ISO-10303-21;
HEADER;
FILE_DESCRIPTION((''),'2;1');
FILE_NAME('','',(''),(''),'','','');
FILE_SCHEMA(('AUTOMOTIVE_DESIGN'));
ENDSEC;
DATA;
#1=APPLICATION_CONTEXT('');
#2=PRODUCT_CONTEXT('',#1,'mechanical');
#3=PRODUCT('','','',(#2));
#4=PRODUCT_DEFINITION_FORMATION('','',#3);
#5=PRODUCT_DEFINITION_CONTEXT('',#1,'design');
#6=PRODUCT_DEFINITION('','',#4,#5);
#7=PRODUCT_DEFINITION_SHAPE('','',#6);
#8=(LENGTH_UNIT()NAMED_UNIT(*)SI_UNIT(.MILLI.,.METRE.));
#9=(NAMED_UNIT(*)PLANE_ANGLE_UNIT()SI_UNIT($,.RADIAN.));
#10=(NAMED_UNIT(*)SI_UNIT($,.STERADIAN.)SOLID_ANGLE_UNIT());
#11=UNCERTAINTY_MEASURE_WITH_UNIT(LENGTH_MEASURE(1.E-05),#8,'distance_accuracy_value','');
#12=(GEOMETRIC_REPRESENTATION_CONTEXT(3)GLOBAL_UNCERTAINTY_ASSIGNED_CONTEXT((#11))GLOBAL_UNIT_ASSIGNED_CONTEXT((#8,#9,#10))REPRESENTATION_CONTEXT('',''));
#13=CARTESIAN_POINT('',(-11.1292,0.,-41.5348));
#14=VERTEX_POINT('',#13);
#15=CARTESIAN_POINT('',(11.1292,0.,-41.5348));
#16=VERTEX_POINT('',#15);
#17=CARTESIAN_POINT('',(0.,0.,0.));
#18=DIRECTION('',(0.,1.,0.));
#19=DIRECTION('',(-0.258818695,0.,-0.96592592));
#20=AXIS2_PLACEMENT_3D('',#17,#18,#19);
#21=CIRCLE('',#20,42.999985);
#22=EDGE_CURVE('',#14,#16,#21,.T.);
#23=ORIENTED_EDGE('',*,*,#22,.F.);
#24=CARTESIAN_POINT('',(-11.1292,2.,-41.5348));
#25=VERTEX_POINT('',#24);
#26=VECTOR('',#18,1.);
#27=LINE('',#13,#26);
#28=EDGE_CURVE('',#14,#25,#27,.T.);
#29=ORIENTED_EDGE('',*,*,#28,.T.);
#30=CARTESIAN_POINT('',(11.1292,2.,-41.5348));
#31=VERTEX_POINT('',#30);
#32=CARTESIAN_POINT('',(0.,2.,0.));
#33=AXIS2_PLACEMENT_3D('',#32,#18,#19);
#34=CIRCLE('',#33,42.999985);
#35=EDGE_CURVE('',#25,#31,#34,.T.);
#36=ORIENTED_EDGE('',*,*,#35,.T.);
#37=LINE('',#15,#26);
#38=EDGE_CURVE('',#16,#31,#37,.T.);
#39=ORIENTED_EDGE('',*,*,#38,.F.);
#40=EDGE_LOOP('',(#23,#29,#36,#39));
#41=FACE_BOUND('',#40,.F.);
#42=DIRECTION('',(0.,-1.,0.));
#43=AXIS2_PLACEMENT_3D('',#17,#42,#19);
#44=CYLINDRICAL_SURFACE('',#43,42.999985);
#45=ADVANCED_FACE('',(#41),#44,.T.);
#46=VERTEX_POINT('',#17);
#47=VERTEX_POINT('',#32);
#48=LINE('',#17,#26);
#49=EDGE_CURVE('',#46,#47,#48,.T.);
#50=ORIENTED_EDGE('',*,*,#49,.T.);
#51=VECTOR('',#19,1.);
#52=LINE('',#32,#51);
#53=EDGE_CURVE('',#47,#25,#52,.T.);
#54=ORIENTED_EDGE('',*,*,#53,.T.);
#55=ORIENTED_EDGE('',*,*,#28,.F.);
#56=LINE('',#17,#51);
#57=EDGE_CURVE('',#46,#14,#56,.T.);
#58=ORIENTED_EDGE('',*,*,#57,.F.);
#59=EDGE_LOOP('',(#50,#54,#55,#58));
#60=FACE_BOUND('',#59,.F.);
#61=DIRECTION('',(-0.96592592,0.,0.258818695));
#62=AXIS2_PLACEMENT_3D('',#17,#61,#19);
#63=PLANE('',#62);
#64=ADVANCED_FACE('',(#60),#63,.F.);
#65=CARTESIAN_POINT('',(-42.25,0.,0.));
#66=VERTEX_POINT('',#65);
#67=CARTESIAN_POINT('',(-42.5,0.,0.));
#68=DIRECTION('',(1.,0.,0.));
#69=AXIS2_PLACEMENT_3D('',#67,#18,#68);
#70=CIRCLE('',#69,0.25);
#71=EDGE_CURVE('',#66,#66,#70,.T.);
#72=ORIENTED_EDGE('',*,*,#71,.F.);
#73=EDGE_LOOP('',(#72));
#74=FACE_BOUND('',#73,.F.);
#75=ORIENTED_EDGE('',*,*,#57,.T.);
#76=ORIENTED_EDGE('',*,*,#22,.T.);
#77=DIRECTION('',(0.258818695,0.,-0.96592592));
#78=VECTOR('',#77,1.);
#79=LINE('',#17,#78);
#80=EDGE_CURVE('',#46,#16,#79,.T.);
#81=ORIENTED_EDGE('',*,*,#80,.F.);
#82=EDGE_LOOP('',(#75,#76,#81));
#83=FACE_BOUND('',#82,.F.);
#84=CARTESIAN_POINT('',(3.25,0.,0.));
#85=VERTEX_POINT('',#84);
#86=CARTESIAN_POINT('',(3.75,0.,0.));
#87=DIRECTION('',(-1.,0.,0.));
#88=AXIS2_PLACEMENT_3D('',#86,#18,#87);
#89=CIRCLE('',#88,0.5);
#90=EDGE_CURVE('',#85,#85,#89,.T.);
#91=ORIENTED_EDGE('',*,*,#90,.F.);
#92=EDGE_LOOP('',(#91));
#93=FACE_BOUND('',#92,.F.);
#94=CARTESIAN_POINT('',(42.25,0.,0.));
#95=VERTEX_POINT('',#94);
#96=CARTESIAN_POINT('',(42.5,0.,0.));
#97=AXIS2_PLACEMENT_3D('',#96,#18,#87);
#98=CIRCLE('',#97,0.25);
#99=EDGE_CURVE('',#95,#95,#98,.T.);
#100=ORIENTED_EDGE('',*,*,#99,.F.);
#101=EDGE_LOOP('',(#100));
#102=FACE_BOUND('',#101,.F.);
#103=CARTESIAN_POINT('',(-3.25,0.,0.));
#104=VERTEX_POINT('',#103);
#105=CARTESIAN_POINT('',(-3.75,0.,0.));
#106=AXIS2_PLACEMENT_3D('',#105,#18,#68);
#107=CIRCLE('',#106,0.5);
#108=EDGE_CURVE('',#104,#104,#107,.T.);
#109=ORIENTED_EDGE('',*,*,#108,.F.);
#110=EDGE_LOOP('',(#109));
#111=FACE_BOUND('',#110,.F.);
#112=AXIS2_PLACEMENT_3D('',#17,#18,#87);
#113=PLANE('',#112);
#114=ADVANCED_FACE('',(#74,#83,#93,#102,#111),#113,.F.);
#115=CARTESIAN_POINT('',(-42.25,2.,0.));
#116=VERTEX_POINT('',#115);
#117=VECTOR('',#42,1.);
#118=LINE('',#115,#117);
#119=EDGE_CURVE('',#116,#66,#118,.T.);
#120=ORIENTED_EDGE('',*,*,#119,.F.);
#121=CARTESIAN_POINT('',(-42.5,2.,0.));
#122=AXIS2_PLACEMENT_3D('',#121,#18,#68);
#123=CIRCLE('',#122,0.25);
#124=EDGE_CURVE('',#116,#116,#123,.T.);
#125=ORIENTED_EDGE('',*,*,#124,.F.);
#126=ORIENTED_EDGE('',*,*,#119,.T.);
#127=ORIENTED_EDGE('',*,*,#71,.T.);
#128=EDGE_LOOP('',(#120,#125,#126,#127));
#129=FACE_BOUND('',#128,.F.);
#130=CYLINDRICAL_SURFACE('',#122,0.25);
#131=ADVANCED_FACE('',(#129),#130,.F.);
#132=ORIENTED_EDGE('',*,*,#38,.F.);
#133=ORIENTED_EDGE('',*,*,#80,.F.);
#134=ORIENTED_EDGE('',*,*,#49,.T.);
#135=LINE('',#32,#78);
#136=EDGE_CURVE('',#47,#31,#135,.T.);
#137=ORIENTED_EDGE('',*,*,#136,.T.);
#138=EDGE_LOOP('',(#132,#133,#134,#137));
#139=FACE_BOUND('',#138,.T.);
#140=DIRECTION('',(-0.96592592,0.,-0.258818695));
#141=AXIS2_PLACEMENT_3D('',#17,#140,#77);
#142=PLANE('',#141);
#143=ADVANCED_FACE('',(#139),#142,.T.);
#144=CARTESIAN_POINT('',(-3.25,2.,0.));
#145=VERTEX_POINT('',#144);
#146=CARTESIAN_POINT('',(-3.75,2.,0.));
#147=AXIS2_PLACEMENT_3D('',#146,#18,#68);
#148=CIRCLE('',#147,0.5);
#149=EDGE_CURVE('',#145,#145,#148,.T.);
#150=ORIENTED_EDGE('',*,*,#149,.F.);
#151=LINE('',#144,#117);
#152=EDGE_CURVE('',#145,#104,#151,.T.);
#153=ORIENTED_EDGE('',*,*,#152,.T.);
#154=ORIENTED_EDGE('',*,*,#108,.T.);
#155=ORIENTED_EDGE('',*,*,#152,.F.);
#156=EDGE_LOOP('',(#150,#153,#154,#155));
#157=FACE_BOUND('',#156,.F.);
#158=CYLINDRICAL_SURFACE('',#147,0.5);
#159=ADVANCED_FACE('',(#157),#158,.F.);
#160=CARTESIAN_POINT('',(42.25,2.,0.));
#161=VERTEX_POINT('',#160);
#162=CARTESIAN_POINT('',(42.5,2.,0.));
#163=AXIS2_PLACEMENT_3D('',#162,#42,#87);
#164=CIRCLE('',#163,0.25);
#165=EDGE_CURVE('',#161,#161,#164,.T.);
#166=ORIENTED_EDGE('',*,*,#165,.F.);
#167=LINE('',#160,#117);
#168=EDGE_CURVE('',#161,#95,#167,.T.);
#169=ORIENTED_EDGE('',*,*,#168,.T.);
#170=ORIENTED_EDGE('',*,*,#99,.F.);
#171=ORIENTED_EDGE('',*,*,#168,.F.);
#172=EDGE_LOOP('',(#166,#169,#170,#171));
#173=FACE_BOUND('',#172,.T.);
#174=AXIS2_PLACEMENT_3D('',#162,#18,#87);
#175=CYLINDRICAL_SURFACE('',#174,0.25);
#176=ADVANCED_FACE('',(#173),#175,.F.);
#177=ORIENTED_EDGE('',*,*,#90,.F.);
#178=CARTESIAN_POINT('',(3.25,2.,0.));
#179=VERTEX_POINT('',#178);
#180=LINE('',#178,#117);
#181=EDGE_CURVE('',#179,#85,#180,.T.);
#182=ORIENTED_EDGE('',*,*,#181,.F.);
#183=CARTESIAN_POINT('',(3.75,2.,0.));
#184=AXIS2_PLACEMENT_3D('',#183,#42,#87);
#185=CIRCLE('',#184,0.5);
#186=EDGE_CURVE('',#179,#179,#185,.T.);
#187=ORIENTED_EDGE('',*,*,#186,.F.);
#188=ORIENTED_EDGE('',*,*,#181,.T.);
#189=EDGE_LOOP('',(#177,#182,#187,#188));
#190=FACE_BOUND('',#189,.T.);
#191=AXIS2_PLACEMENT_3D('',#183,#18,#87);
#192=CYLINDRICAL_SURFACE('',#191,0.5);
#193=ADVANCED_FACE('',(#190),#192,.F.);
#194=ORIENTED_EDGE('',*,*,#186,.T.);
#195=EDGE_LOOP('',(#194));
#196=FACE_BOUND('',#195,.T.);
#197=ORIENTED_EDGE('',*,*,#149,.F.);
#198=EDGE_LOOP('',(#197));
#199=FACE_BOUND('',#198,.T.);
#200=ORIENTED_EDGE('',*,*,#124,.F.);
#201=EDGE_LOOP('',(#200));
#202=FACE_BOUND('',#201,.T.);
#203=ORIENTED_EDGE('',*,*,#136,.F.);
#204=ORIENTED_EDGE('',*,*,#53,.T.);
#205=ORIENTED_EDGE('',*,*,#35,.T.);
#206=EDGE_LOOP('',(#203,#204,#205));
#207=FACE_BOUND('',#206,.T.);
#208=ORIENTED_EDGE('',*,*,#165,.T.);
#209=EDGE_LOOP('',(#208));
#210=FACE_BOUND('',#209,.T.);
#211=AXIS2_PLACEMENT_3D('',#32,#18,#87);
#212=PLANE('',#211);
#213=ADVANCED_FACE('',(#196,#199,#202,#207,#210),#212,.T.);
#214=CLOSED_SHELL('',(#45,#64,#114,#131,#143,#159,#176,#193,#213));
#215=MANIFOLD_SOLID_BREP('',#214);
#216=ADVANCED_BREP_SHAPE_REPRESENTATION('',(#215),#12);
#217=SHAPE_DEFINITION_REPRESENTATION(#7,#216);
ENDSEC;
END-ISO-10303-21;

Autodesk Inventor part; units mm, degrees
ref_plane "YZ Plane" through (0, 0, 0) normal (1, 0, 0) x (0, 1, 0)
ref_plane "XY Plane" through (0, 0, 0) normal (0, 0, 1) x (1, 0, 0)
sketch "Sketch1" plane through (0, 0, 0) normal (0, 1, 0) x (-1, 0, 0)
  arc A0 (11.1292, -41.5348) -> (-11.1292, -41.5348) centre (0, 0) ccw
  line L0 (0, 0) -> (11.1292, -41.5348)
  line L1 (0, 0) -> (43, 0) construction
  line L2 (0, 0) -> (-11.1292, -41.5348)
  dimension "d0" = 86
  dimension "d1" = 75
extrude "Extrusion1" add sketch "Sketch1" along normal blind 2
ref_plane "Work Plane1" through (0, 1, 0) normal (0, 1, 0) x (-1, 0, 0)
sketch "Sketch2" plane through (0, 2, 0) normal (0, 1, 0) x (1, 0, 0)
  circle A0 centre (-42.5, 0) radius 0.25
  arc A1 (-11.1292, 41.5348) -> (11.1292, 41.5348) centre (0, 0) ccw projected
  dimension "d4" = 0.5
  dimension "d5" = 42.5
extrude "Extrusion2" cut sketch "Sketch2" against normal through all
mirror "Mirror1" about plane through (0, 0, 0) normal (1, 0, 0) of "Extrusion2"
sketch "Sketch4" plane through (0, 2, 0) normal (0, 1, 0) x (1, 0, 0)
  circle A0 centre (-3.75, 0) radius 0.5
  point P0 (0, 0)
  dimension "d12" = 1
  dimension "d13" = 3.75
extrude "Extrusion4" cut sketch "Sketch4" against normal through all
mirror "Mirror3" about plane through (0, 0, 0) normal (1, 0, 0) of "Extrusion4"
properties part number "seed_disp_lid" material "PMMA Plastic"
